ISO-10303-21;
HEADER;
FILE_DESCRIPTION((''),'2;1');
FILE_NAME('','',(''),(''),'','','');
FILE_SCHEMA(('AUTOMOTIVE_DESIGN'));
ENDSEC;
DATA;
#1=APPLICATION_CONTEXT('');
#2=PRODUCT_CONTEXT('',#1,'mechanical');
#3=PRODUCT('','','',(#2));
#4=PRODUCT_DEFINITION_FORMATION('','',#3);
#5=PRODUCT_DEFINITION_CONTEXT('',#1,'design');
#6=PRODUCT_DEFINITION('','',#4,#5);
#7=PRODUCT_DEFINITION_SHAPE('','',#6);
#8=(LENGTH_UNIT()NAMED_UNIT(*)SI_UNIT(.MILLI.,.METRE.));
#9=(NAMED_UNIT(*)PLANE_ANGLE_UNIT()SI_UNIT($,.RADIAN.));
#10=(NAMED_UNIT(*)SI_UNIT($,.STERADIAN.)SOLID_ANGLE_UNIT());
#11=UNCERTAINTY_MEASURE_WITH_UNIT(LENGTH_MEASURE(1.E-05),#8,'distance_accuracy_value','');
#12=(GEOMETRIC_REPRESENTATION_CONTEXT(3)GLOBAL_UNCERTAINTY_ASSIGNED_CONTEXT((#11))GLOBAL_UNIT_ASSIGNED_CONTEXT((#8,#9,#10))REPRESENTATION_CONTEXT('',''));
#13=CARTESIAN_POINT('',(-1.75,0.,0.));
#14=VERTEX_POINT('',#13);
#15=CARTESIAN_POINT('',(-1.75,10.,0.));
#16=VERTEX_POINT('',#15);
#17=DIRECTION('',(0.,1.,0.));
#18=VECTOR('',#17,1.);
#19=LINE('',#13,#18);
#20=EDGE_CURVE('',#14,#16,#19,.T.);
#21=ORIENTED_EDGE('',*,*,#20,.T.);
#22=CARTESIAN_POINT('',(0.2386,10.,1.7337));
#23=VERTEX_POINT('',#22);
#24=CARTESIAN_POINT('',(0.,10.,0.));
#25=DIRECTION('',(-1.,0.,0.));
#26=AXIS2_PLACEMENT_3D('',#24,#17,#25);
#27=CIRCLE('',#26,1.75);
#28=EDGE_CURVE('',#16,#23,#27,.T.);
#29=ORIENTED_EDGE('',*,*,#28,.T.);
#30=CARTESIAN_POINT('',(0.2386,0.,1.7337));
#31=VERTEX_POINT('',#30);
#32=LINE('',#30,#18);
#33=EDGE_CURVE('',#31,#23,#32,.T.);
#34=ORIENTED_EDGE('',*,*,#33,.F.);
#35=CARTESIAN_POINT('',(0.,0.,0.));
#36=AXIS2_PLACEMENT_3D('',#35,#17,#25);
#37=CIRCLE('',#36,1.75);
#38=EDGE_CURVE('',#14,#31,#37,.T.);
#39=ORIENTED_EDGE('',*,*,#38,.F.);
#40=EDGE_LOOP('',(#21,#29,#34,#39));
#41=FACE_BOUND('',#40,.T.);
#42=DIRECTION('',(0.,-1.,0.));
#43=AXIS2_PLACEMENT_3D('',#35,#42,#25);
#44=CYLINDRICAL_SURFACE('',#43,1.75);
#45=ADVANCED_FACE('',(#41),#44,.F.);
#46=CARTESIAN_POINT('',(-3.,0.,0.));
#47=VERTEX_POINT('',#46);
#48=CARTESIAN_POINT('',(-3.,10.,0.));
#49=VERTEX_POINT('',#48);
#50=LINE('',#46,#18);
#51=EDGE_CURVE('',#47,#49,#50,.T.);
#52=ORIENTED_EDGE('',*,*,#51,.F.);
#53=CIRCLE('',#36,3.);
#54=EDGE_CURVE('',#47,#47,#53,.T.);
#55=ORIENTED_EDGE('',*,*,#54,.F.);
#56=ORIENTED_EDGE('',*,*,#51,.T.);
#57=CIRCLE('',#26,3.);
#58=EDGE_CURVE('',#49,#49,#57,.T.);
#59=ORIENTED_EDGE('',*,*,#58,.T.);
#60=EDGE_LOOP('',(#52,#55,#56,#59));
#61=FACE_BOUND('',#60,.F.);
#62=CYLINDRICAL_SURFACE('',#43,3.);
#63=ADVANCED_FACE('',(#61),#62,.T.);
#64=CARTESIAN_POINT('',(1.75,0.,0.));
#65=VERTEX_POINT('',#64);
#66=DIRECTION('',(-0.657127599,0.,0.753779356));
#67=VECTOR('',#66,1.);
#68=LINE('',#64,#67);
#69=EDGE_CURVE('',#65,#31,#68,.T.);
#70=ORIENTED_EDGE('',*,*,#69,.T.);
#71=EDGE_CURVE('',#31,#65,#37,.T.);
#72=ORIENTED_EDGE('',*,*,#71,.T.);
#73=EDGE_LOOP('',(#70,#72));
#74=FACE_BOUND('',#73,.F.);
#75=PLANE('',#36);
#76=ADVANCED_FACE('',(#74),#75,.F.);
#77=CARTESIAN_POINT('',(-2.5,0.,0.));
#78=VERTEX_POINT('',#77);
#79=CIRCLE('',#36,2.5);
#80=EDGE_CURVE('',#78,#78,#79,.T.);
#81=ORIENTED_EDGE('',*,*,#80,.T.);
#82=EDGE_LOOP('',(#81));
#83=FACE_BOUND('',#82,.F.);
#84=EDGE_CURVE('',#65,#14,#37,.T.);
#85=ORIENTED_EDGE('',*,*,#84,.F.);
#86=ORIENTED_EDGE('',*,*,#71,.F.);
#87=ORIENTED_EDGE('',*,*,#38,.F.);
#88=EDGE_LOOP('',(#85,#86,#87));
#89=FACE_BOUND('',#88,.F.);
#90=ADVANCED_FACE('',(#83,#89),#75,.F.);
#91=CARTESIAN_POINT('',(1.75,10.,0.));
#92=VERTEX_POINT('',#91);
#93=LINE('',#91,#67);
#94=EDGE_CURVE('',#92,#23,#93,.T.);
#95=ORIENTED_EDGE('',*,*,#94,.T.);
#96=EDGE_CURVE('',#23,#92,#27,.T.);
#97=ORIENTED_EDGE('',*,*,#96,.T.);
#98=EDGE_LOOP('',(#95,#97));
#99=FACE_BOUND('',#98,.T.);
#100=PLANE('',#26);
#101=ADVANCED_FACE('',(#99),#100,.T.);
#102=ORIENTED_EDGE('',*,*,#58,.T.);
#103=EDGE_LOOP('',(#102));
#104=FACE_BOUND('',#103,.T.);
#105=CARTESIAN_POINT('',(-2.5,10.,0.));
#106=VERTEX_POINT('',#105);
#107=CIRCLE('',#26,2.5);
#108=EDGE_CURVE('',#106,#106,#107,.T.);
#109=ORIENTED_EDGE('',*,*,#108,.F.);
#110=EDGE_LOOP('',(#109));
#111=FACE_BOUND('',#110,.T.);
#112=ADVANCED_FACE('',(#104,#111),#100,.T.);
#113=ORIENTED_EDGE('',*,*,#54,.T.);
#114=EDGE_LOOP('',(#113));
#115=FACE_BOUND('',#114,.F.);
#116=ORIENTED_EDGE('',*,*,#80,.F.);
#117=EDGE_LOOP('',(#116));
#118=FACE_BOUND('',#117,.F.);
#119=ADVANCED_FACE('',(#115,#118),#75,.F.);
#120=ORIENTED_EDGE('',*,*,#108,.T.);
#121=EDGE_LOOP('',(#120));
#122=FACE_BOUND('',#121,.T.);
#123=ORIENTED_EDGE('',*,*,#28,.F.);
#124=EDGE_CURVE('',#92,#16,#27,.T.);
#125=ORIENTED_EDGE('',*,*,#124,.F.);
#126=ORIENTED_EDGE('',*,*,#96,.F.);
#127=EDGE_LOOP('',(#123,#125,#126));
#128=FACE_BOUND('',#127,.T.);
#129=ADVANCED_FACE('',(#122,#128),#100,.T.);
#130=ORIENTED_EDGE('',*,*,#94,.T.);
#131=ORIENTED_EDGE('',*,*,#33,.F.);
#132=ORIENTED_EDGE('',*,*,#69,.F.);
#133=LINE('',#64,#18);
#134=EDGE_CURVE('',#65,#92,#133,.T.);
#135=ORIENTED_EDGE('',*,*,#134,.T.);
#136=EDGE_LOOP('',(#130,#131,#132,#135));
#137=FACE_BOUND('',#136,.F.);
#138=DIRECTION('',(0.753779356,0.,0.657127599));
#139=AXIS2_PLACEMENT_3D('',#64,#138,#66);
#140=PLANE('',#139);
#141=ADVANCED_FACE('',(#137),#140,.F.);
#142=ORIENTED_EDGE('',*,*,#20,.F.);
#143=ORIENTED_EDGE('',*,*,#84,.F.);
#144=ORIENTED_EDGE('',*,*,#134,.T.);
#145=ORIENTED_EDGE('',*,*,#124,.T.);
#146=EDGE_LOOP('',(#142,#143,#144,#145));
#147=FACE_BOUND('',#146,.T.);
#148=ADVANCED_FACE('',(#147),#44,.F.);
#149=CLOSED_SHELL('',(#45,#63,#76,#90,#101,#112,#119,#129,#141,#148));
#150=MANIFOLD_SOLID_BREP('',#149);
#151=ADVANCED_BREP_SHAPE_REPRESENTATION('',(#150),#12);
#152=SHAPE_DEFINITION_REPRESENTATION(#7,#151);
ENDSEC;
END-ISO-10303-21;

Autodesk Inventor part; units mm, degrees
ref_plane "YZ Plane" through (0, 0, 0) normal (1, 0, 0) x (0, 1, 0)
ref_plane "XZ Plane" through (0, 0, 0) normal (0, 1, 0) x (-1, 0, 0)
ref_plane "XY Plane" through (0, 0, 0) normal (0, 0, 1) x (1, 0, 0)
sketch "Boceto1" plane through (0, 0, 0) normal (0, 1, 0) x (-1, 0, 0)
  circle A0 centre (0, 0) radius 1.75
  line L0 (-1.75, 0) -> (-0.2386, 1.7337)
  circle A1 centre (0, 0) radius 3.5
  circle A2 centre (0, 0) radius 3
  circle A3 centre (0, 0) radius 2.5
  dimension "d0" = 3.5
  dimension "d1" = 2.3
  dimension "d2" = 7
  dimension "d5" = 6
  dimension "d8" = 5
extrude "Extrusión1" add sketch "Boceto1" along normal blind 10 contours L0 A0 | A1 | A2 | A3 picked at (-1.2296, 0.716)
extrude "Extrusión2" cut sketch "Boceto1" along normal blind 10 contours A1
